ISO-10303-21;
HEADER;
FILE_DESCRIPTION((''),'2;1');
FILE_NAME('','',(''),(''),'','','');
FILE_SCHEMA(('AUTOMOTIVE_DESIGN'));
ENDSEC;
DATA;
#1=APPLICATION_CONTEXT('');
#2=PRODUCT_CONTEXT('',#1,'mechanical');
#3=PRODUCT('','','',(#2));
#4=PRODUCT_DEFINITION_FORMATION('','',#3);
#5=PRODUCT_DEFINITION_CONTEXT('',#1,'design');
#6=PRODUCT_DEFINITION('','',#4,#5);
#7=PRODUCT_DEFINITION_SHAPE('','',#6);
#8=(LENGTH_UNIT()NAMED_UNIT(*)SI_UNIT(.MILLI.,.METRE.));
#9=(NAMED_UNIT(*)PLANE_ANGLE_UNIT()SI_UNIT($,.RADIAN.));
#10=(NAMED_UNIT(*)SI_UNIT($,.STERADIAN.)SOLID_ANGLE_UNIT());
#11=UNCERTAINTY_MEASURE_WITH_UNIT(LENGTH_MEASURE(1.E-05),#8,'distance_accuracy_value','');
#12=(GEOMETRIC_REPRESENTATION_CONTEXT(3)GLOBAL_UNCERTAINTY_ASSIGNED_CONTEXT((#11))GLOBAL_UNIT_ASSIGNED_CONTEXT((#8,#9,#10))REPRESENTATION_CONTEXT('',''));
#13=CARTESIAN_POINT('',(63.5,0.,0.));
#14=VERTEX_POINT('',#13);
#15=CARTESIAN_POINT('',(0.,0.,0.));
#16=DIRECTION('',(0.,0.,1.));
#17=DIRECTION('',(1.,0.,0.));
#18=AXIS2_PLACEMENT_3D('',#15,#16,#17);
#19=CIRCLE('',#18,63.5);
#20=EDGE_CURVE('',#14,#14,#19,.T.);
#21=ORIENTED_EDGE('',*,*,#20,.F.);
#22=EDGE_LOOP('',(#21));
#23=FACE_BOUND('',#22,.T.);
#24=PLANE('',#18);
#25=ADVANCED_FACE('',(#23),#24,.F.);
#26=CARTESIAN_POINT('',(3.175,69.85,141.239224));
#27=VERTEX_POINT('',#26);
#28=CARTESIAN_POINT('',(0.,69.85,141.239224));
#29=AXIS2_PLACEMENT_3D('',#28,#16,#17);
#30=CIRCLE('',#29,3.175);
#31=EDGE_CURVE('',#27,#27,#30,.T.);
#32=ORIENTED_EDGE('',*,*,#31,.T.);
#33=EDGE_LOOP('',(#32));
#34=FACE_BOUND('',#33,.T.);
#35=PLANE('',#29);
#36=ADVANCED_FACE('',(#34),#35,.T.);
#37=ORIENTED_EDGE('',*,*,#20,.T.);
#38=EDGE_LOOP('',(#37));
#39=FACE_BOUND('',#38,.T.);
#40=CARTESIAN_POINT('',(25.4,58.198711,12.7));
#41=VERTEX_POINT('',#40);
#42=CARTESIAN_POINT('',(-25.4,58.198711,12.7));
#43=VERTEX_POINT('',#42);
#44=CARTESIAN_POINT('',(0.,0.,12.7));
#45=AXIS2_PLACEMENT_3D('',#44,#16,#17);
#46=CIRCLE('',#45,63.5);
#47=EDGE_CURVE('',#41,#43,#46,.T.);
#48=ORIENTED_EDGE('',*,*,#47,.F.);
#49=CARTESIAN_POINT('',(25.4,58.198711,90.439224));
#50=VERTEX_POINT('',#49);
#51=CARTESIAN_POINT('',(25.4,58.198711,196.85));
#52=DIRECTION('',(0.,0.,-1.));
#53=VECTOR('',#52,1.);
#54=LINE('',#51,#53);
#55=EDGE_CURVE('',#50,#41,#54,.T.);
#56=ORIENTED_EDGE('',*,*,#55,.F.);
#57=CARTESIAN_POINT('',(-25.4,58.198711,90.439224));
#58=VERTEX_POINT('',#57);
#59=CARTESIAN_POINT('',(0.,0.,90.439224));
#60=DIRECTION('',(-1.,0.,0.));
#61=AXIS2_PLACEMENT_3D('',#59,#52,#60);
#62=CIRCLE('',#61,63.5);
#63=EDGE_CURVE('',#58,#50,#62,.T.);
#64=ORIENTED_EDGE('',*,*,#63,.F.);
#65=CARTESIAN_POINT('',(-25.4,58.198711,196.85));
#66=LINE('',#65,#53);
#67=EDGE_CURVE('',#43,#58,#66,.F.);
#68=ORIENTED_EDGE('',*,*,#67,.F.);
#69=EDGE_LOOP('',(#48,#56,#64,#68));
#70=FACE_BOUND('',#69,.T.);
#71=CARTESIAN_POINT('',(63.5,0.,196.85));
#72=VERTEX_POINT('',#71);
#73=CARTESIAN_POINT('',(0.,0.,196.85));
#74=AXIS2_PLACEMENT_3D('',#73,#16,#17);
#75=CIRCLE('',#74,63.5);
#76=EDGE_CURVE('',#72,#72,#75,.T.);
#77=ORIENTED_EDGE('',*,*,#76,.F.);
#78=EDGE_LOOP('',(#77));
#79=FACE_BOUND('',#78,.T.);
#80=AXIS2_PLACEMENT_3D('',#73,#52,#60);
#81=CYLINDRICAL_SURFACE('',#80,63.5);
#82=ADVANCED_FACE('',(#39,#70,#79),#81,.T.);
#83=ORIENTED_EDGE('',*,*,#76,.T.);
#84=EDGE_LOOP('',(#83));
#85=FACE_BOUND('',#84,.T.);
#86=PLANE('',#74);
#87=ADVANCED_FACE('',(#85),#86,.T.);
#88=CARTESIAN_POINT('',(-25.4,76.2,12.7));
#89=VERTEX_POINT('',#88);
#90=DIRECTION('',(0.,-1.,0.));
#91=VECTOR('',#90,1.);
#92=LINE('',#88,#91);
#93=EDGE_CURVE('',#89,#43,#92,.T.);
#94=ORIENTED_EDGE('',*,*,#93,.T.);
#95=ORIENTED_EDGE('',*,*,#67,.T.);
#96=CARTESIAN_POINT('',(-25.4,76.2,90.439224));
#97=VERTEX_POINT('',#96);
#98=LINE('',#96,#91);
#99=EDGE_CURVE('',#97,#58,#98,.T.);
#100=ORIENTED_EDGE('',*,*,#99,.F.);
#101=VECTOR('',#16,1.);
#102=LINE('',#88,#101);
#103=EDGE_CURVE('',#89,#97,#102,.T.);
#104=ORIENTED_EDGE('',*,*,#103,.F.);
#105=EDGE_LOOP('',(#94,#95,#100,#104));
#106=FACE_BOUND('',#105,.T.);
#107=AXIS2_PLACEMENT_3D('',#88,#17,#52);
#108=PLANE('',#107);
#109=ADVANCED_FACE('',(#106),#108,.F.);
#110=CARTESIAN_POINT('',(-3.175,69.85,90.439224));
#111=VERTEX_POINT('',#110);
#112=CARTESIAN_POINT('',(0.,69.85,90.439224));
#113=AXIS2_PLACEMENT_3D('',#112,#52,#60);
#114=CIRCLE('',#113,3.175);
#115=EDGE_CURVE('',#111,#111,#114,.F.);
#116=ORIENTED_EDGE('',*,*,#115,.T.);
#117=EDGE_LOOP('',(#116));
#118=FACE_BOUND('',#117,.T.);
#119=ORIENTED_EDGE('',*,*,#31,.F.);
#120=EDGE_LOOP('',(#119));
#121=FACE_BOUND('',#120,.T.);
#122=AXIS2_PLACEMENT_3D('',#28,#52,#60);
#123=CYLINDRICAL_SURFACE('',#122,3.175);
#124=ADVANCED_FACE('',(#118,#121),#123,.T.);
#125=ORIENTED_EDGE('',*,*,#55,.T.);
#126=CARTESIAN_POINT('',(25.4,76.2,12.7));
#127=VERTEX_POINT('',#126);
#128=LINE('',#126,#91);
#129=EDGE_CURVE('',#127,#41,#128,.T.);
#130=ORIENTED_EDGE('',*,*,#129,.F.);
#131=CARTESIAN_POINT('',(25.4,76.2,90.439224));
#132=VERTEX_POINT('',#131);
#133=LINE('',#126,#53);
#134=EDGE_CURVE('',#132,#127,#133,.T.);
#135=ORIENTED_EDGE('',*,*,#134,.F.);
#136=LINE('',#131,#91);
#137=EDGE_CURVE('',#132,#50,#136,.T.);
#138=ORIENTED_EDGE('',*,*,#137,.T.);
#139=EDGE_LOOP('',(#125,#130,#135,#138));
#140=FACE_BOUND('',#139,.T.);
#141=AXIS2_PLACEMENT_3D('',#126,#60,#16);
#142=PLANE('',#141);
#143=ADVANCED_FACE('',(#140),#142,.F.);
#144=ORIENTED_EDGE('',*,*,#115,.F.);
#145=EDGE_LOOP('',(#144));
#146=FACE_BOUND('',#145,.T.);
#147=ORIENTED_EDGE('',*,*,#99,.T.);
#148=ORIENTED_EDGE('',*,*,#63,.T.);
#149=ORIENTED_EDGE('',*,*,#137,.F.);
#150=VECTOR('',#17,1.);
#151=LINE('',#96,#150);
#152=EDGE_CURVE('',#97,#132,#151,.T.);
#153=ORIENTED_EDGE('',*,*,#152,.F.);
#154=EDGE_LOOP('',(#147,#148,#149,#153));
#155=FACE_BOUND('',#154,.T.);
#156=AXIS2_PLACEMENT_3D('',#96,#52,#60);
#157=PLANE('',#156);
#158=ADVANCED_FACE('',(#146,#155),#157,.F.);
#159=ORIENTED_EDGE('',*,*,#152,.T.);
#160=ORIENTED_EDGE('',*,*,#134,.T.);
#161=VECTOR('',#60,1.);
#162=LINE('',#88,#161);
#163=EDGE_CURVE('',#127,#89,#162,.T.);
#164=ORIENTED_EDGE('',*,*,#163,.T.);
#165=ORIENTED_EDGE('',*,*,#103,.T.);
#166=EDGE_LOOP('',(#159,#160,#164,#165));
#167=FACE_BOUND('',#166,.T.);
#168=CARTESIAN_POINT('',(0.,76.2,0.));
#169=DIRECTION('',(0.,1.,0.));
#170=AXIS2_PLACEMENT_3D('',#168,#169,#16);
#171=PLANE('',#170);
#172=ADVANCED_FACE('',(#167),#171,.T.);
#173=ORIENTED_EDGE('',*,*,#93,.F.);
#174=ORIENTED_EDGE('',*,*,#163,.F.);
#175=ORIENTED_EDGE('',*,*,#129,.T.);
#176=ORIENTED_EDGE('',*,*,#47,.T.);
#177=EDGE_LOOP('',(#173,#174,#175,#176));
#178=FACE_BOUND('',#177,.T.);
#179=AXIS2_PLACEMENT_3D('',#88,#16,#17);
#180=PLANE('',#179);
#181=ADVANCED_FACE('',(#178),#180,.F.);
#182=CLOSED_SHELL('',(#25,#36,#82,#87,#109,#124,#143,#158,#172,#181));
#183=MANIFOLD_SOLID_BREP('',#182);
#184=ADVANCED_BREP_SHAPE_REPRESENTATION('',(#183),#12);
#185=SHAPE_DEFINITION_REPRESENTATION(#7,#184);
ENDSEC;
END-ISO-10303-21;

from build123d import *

# Parameters (mm, degrees)
SKETCH7_R           = 63.5
BOSS_EXTRUDE4_DEPTH = 196.85
SKETCH9_W           = 50.8
SKETCH9_H           = 77.739224187
BOSS_EXTRUDE5_DEPTH = 25.4
SKETCH10_R          = 3.175
BOSS_EXTRUDE6_DEPTH = 50.8


with BuildPart() as part:
    # Sketch7 → Boss-Extrude4 (new body)
    with BuildSketch(Plane.XY):
        Circle(SKETCH7_R)
    extrude(amount=BOSS_EXTRUDE4_DEPTH)

    # Sketch9 → Boss-Extrude5 (add)
    with BuildSketch(Plane(origin=(0, 50.8, 0), x_dir=(1, 0, 0), z_dir=(0, 1, 0))):
        with Locations((0, -51.569612094)):
            Rectangle(SKETCH9_W, SKETCH9_H)
    extrude(amount=BOSS_EXTRUDE5_DEPTH)

    # Sketch10 → Boss-Extrude6 (add)
    with BuildSketch(Plane.XY.offset(90.439224187)):
        with Locations(Location((0, 69.85, 0), (0, 0, 180))):
            Circle(SKETCH10_R)
    extrude(amount=BOSS_EXTRUDE6_DEPTH)


solid = part.part
